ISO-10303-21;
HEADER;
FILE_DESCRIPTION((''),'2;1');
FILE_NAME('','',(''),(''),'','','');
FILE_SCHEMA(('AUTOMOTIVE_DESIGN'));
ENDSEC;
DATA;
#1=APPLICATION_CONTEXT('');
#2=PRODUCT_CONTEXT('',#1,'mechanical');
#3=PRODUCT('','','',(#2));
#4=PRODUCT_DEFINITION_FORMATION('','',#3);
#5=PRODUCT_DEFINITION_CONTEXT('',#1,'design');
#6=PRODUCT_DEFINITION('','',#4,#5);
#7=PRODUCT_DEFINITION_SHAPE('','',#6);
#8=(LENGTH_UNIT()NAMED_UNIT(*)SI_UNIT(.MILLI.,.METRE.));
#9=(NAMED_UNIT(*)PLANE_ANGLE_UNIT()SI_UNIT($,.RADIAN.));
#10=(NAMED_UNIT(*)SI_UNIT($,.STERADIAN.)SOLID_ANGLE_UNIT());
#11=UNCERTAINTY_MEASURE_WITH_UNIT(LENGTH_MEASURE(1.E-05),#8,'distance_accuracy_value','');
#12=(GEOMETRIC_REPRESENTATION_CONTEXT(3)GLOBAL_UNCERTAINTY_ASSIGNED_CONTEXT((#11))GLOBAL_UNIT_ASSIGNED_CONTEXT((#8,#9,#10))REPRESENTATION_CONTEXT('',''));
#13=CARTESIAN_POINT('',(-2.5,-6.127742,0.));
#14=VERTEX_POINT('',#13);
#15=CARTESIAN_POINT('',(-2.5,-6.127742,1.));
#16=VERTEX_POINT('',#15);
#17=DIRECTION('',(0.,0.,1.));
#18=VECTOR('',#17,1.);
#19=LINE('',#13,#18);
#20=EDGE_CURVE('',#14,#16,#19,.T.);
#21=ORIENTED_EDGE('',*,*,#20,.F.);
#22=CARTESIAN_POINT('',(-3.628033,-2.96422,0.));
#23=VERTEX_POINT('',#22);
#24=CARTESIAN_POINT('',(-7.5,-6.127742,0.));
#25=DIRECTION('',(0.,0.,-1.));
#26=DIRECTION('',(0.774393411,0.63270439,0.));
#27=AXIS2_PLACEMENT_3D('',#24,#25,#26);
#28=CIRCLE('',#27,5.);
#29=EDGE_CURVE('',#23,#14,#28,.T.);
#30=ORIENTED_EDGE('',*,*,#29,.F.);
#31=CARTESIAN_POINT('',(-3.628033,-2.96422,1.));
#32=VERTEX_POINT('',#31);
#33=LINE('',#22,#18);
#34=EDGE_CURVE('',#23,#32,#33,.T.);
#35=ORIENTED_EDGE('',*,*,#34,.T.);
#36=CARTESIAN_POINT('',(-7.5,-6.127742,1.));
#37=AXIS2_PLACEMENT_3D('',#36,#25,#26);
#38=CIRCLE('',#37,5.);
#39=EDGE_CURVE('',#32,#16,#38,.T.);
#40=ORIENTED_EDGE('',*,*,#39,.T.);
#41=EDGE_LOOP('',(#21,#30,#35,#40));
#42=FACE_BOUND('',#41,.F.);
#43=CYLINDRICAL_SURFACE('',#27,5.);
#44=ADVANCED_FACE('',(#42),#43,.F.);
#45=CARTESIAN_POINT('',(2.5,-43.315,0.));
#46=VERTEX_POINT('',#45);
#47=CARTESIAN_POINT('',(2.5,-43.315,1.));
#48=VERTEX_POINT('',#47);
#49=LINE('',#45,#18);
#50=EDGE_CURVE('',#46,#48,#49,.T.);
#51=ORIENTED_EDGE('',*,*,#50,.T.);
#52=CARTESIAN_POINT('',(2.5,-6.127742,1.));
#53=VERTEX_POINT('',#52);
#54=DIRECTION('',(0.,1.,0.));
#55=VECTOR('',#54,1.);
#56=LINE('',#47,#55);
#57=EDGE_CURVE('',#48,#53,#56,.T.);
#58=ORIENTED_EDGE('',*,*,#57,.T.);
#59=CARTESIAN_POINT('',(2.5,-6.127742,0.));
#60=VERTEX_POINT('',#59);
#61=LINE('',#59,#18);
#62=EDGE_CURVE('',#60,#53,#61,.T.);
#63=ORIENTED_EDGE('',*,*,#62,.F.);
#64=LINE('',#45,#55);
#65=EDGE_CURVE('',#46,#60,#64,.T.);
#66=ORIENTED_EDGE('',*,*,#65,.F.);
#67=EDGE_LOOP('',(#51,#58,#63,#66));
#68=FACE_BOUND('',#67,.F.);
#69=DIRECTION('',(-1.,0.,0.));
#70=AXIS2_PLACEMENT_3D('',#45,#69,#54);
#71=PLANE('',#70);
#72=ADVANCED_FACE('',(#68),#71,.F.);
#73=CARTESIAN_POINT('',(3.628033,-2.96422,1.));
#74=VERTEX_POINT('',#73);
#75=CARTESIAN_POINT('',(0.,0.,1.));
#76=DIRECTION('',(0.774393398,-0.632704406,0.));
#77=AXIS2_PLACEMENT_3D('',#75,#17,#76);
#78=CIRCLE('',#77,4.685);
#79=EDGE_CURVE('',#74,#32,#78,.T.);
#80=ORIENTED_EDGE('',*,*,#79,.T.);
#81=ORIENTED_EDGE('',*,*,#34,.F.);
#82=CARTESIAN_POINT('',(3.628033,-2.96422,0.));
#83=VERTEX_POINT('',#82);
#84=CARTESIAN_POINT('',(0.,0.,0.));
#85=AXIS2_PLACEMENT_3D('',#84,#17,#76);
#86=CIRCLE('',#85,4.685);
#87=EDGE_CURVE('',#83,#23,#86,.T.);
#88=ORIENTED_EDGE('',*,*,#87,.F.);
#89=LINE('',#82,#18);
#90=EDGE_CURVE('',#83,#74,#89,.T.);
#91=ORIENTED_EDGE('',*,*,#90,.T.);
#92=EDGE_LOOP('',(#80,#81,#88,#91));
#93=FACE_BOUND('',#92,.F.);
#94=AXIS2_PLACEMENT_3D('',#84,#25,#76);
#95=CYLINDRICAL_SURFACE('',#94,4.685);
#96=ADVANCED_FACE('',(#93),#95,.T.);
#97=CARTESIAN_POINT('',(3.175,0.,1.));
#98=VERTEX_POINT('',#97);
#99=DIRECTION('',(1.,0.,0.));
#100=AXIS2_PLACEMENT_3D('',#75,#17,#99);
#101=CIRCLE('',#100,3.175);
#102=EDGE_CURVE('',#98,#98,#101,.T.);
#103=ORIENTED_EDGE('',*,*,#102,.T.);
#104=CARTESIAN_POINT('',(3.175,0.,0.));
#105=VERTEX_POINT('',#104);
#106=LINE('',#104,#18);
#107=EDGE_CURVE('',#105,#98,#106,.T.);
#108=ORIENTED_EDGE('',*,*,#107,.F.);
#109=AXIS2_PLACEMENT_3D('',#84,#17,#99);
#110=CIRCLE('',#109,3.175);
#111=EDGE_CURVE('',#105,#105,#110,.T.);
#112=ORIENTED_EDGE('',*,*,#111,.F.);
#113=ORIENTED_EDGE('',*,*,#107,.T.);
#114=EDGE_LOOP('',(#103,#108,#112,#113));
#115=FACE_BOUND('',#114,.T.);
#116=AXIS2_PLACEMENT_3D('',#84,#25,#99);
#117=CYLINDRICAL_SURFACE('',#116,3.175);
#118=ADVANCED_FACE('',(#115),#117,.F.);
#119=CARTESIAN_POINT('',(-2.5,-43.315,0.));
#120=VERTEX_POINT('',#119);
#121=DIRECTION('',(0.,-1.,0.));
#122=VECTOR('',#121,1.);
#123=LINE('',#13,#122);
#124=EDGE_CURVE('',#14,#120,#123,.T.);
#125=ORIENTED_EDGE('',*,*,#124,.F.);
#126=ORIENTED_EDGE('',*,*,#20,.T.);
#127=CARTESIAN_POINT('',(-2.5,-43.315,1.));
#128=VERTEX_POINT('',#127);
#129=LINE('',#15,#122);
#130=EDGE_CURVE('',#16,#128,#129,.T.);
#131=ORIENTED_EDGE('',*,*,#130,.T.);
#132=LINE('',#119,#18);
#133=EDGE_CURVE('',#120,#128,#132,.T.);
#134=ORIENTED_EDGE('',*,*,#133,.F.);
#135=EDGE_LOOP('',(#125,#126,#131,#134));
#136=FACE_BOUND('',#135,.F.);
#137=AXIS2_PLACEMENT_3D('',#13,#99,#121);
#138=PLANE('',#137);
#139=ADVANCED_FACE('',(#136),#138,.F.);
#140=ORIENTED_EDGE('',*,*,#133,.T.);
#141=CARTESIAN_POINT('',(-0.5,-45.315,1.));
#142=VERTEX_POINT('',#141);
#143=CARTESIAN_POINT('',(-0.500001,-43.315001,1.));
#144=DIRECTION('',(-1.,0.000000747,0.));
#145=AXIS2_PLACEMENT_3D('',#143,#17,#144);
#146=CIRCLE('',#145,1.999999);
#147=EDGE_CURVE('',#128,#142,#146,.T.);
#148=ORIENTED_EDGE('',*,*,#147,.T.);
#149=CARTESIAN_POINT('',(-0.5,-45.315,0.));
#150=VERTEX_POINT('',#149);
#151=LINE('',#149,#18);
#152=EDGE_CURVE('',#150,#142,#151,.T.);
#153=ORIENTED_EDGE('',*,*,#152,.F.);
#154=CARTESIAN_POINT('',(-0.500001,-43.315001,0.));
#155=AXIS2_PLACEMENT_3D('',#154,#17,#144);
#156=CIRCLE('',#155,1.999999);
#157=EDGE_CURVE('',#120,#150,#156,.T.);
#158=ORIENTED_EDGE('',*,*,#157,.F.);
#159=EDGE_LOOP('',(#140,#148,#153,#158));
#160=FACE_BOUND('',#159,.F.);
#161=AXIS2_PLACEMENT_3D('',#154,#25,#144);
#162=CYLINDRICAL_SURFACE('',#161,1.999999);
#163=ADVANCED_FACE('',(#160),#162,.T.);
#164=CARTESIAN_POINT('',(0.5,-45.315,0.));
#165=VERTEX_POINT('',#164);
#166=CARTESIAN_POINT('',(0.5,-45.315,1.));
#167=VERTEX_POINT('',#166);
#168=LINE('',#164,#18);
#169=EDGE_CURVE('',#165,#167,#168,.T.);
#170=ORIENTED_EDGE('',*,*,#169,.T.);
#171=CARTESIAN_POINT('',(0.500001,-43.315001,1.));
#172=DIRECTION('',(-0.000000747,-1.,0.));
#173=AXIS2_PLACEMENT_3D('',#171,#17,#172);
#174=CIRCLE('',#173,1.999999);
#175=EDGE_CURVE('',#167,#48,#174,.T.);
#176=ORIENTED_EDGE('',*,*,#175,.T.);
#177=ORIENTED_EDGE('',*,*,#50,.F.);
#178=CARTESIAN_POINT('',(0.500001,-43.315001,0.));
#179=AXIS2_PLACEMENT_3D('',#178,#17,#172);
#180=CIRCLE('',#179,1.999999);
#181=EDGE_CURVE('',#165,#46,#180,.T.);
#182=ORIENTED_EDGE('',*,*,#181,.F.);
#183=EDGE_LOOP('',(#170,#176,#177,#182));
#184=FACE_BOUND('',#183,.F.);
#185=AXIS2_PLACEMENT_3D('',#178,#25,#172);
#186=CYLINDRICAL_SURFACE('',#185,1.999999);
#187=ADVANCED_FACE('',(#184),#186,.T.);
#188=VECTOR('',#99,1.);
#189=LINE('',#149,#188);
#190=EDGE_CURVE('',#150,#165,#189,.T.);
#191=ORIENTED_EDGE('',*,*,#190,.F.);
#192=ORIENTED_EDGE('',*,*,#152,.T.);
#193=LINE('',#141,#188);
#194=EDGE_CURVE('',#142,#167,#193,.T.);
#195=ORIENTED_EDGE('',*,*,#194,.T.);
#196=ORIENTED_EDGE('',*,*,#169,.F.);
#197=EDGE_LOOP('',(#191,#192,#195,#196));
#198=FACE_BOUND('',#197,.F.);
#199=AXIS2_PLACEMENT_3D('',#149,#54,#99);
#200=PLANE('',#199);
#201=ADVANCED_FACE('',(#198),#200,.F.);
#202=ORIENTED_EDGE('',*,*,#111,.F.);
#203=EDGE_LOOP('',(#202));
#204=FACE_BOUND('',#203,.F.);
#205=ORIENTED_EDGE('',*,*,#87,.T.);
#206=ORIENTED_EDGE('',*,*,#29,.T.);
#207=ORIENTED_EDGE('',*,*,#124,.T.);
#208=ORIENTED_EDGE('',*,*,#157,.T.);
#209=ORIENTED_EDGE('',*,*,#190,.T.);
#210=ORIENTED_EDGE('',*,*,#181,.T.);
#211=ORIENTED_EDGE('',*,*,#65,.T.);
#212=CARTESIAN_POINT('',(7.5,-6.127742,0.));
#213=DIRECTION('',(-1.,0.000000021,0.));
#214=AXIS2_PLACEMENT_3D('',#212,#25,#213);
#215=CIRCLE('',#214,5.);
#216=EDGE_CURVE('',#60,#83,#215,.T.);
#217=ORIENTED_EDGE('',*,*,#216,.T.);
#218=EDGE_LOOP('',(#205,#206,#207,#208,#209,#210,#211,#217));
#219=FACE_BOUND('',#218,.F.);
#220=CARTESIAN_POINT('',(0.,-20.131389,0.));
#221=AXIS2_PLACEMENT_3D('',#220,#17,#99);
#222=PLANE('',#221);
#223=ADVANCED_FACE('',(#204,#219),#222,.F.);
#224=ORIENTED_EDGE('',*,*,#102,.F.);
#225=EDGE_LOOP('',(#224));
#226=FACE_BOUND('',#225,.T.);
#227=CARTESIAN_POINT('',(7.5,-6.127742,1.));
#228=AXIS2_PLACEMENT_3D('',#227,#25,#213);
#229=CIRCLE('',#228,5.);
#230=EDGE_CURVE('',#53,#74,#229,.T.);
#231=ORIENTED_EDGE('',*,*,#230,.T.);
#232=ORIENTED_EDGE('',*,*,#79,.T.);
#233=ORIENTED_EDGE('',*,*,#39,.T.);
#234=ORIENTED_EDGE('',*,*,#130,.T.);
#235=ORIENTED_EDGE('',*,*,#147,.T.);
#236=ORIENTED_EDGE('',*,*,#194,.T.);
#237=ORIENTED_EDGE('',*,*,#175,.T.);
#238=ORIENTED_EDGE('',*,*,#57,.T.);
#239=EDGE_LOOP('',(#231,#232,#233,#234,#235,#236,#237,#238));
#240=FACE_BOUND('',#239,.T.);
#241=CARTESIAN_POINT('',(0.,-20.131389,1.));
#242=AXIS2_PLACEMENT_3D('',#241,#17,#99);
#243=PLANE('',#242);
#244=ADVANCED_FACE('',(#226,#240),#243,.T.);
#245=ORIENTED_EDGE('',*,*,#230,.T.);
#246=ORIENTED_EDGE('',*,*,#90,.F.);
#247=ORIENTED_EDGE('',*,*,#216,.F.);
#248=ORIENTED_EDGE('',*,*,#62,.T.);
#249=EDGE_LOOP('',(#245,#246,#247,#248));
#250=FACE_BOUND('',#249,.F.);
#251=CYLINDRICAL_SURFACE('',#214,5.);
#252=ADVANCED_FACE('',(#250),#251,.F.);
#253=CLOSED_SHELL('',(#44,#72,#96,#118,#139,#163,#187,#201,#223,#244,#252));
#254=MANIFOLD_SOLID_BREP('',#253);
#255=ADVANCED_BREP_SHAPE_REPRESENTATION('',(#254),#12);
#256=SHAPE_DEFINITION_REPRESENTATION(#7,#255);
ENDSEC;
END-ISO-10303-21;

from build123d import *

# Parameters (mm, degrees)
F0_R     = 3.175
F1_DEPTH = 1


with BuildPart() as f1:
    # F0 (on Top) → F1 (new body)
    with BuildSketch(Plane.XY):
        with BuildLine():
            ThreePointArc((2.5, -6.127742), (2.790444, -4.448432), (3.628033, -2.96422))
            ThreePointArc((3.628033, -2.96422), (0, 4.685), (-3.628033, -2.96422))
            ThreePointArc((-3.628033, -2.96422), (-2.790444, -4.448432), (-2.5, -6.127742))
            Line((-2.5, -6.127742), (-2.5, -43.315))
            ThreePointArc((-2.5, -43.315), (-1.914214, -44.729214), (-0.5, -45.315))
            Line((-0.5, -45.315), (0.5, -45.315))
            ThreePointArc((0.5, -45.315), (1.914214, -44.729214), (2.5, -43.315))
            Line((2.5, -43.315), (2.5, -6.127742))
        make_face()
        Circle(F0_R, mode=Mode.SUBTRACT)
    extrude(amount=F1_DEPTH)


solid = f1.part
